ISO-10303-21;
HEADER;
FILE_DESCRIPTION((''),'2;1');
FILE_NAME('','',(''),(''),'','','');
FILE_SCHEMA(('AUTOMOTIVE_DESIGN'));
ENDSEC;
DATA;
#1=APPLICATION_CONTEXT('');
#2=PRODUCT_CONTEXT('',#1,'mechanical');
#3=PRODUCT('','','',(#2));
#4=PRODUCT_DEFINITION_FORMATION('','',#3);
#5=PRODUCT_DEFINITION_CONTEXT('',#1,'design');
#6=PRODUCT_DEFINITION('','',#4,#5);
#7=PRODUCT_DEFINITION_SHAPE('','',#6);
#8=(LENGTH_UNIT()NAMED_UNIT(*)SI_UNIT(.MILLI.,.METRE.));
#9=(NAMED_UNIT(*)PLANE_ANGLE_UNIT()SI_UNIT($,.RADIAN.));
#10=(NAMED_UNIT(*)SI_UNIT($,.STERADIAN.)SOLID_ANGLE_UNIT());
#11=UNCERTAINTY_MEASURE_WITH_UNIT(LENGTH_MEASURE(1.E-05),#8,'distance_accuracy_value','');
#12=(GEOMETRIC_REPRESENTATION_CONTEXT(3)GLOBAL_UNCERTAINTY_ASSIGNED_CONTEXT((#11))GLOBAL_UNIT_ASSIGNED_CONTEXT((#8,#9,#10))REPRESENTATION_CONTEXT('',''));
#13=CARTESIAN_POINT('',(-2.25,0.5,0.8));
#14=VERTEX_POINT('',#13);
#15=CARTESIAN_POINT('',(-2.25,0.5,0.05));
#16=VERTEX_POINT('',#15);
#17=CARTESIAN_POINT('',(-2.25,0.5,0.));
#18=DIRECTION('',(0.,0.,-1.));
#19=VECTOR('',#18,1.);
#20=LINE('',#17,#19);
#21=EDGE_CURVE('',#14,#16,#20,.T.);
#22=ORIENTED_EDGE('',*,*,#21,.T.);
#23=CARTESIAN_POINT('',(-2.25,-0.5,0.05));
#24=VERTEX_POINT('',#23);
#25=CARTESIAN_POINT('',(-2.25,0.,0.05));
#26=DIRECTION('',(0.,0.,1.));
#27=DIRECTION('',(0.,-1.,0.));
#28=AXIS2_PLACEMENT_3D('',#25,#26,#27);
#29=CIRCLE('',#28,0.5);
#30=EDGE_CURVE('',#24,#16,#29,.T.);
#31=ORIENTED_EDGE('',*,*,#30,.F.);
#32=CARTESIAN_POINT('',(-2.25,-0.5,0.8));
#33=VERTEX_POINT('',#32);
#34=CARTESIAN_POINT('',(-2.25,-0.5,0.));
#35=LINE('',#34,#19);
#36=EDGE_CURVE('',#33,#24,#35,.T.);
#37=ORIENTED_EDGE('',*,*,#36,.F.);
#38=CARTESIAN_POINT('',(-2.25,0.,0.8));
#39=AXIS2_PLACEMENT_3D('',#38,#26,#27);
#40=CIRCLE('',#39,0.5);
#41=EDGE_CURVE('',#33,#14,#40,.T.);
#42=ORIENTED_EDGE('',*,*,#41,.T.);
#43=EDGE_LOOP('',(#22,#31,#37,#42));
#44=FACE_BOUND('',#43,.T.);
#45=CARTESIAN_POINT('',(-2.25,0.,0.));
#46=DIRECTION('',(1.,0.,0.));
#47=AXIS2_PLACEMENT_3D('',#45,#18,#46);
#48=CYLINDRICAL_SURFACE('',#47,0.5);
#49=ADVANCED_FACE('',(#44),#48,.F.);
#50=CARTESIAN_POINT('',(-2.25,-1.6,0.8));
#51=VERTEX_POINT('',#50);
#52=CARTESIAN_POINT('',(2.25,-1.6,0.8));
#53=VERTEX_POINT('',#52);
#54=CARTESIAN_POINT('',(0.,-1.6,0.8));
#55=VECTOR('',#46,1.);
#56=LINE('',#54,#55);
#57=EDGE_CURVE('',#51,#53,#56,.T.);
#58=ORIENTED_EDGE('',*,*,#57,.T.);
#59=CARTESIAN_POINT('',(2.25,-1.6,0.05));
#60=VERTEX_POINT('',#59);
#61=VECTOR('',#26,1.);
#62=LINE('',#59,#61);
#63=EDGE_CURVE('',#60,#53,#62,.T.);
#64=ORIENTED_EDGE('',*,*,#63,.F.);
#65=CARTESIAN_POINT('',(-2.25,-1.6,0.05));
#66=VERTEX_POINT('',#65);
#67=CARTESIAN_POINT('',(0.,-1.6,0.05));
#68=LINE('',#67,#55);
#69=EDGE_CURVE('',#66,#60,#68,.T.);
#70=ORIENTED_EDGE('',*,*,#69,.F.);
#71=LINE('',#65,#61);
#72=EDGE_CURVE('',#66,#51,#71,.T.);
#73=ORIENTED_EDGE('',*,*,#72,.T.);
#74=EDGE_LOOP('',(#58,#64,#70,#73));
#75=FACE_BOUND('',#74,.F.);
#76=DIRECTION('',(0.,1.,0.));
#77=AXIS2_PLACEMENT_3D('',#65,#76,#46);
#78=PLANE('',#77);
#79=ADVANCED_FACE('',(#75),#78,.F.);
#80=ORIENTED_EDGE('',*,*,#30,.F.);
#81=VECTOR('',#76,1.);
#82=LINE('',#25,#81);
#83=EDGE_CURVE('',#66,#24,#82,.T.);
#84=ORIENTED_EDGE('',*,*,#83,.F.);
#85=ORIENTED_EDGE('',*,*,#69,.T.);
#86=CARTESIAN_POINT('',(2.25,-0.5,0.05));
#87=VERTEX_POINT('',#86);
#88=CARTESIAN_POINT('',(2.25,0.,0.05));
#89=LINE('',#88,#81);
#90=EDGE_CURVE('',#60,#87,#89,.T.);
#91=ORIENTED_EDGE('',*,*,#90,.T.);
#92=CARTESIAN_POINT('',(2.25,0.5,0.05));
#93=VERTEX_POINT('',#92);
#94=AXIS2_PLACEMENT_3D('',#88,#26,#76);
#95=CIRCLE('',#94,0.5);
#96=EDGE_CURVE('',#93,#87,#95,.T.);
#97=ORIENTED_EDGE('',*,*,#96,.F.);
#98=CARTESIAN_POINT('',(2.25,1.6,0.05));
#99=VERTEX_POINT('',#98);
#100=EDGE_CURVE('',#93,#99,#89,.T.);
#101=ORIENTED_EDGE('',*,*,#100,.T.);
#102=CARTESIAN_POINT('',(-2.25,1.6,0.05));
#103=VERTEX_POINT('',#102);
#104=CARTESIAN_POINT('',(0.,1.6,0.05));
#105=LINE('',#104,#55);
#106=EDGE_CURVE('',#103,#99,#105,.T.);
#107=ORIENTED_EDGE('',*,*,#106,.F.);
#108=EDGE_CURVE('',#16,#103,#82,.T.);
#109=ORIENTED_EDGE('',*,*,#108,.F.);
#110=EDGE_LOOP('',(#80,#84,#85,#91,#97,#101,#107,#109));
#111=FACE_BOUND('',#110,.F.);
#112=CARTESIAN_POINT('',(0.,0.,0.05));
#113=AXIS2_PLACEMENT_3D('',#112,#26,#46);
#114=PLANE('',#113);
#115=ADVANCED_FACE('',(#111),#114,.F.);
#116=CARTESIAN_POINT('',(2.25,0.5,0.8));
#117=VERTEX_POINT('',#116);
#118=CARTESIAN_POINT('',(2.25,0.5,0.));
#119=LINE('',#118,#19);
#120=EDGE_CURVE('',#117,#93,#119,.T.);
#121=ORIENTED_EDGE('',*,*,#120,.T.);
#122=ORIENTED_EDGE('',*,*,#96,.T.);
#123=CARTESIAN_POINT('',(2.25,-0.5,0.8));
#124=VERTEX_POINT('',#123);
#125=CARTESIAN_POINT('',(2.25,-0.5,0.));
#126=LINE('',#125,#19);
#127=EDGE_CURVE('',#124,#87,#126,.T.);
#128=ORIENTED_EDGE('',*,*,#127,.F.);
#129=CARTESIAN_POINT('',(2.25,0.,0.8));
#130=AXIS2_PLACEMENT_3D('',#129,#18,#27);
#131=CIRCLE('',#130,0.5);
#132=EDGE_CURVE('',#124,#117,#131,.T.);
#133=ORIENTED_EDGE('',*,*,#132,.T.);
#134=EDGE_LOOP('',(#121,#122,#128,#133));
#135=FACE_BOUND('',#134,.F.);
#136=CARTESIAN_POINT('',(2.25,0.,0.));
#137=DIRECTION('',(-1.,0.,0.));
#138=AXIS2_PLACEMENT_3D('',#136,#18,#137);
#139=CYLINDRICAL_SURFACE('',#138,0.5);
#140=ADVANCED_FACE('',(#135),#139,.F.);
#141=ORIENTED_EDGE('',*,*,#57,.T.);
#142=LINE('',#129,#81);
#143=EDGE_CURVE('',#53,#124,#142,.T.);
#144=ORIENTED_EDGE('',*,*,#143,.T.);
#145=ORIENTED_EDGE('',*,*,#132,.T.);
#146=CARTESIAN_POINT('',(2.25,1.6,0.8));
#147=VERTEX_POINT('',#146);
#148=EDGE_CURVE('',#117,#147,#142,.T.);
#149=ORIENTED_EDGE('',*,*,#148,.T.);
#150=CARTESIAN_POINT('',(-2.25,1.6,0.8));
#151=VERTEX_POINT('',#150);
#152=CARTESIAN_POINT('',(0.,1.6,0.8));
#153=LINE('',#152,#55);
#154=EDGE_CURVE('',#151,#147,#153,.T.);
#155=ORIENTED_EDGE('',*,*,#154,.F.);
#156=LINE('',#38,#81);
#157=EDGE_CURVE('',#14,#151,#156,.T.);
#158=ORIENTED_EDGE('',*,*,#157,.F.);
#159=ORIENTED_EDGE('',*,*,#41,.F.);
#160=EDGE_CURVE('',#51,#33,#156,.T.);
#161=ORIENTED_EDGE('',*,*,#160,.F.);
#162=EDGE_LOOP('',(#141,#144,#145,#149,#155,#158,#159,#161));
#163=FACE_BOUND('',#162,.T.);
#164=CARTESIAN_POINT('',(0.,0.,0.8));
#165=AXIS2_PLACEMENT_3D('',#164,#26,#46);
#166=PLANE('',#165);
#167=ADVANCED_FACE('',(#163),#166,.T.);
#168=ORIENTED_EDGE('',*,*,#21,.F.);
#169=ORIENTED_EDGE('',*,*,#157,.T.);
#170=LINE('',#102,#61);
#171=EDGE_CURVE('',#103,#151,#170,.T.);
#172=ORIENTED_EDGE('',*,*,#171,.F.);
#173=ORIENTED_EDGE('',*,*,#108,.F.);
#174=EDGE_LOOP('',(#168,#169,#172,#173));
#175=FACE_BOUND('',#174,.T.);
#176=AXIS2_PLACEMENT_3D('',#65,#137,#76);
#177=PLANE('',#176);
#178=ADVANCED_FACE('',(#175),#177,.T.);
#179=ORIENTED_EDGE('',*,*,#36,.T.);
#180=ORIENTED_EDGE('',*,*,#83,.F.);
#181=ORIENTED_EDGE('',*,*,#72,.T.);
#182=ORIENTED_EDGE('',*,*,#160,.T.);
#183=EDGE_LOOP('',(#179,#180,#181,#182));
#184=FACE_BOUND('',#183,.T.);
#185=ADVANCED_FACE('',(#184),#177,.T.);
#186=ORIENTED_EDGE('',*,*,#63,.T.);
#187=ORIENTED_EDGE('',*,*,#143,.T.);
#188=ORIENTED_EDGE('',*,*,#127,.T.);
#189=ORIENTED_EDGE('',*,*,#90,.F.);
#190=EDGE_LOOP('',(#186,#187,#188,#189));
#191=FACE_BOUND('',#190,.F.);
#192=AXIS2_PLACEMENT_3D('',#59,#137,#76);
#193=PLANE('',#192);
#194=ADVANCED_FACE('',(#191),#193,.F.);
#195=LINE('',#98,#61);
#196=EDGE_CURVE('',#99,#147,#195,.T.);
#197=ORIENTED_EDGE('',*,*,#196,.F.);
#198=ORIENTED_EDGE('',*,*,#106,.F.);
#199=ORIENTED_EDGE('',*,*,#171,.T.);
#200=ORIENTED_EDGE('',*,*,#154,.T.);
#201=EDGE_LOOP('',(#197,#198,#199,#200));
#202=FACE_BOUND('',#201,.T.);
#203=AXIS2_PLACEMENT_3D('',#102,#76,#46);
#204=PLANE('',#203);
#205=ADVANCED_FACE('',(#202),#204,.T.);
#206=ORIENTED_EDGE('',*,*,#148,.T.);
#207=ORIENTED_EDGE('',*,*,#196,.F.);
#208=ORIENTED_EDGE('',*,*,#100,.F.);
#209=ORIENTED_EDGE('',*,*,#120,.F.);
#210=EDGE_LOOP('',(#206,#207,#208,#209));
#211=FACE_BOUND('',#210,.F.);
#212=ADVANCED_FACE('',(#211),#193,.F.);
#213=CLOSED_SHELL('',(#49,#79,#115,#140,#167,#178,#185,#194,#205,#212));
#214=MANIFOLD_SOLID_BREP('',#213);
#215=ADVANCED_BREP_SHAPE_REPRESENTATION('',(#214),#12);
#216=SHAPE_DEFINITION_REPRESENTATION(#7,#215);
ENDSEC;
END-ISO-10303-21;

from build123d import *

# Parameters (mm, degrees)
BOX118_W          = 4.5
BOX118_H          = 3.2
BOX118_DEPTH      = 0.75
CYLINDER052_R     = 0.5
CYLINDER052_DEPTH = 1


with BuildPart() as part:
    # Box118 → Box118 (join)
    with BuildSketch(Plane(origin=(-2.25, -1.6, 0.05), x_dir=(1, 0, 0), z_dir=(0, 0, 1))):
        with Locations((2.25, 1.6)):
            Rectangle(BOX118_W, BOX118_H)
    extrude(amount=BOX118_DEPTH)

    # Cylinder052 → Cylinder052 (cut)
    with BuildSketch(Plane(origin=(-2.25, 0, 0), x_dir=(1, 0, 0), z_dir=(0, 0, 1))):
        Circle(CYLINDER052_R)
    cylinder052 = extrude(amount=CYLINDER052_DEPTH, mode=Mode.SUBTRACT)

    # Mirrored002: Cylinder052 across YZ
    add(cylinder052.mirror(Plane.YZ), mode=Mode.SUBTRACT)


solid = part.part
